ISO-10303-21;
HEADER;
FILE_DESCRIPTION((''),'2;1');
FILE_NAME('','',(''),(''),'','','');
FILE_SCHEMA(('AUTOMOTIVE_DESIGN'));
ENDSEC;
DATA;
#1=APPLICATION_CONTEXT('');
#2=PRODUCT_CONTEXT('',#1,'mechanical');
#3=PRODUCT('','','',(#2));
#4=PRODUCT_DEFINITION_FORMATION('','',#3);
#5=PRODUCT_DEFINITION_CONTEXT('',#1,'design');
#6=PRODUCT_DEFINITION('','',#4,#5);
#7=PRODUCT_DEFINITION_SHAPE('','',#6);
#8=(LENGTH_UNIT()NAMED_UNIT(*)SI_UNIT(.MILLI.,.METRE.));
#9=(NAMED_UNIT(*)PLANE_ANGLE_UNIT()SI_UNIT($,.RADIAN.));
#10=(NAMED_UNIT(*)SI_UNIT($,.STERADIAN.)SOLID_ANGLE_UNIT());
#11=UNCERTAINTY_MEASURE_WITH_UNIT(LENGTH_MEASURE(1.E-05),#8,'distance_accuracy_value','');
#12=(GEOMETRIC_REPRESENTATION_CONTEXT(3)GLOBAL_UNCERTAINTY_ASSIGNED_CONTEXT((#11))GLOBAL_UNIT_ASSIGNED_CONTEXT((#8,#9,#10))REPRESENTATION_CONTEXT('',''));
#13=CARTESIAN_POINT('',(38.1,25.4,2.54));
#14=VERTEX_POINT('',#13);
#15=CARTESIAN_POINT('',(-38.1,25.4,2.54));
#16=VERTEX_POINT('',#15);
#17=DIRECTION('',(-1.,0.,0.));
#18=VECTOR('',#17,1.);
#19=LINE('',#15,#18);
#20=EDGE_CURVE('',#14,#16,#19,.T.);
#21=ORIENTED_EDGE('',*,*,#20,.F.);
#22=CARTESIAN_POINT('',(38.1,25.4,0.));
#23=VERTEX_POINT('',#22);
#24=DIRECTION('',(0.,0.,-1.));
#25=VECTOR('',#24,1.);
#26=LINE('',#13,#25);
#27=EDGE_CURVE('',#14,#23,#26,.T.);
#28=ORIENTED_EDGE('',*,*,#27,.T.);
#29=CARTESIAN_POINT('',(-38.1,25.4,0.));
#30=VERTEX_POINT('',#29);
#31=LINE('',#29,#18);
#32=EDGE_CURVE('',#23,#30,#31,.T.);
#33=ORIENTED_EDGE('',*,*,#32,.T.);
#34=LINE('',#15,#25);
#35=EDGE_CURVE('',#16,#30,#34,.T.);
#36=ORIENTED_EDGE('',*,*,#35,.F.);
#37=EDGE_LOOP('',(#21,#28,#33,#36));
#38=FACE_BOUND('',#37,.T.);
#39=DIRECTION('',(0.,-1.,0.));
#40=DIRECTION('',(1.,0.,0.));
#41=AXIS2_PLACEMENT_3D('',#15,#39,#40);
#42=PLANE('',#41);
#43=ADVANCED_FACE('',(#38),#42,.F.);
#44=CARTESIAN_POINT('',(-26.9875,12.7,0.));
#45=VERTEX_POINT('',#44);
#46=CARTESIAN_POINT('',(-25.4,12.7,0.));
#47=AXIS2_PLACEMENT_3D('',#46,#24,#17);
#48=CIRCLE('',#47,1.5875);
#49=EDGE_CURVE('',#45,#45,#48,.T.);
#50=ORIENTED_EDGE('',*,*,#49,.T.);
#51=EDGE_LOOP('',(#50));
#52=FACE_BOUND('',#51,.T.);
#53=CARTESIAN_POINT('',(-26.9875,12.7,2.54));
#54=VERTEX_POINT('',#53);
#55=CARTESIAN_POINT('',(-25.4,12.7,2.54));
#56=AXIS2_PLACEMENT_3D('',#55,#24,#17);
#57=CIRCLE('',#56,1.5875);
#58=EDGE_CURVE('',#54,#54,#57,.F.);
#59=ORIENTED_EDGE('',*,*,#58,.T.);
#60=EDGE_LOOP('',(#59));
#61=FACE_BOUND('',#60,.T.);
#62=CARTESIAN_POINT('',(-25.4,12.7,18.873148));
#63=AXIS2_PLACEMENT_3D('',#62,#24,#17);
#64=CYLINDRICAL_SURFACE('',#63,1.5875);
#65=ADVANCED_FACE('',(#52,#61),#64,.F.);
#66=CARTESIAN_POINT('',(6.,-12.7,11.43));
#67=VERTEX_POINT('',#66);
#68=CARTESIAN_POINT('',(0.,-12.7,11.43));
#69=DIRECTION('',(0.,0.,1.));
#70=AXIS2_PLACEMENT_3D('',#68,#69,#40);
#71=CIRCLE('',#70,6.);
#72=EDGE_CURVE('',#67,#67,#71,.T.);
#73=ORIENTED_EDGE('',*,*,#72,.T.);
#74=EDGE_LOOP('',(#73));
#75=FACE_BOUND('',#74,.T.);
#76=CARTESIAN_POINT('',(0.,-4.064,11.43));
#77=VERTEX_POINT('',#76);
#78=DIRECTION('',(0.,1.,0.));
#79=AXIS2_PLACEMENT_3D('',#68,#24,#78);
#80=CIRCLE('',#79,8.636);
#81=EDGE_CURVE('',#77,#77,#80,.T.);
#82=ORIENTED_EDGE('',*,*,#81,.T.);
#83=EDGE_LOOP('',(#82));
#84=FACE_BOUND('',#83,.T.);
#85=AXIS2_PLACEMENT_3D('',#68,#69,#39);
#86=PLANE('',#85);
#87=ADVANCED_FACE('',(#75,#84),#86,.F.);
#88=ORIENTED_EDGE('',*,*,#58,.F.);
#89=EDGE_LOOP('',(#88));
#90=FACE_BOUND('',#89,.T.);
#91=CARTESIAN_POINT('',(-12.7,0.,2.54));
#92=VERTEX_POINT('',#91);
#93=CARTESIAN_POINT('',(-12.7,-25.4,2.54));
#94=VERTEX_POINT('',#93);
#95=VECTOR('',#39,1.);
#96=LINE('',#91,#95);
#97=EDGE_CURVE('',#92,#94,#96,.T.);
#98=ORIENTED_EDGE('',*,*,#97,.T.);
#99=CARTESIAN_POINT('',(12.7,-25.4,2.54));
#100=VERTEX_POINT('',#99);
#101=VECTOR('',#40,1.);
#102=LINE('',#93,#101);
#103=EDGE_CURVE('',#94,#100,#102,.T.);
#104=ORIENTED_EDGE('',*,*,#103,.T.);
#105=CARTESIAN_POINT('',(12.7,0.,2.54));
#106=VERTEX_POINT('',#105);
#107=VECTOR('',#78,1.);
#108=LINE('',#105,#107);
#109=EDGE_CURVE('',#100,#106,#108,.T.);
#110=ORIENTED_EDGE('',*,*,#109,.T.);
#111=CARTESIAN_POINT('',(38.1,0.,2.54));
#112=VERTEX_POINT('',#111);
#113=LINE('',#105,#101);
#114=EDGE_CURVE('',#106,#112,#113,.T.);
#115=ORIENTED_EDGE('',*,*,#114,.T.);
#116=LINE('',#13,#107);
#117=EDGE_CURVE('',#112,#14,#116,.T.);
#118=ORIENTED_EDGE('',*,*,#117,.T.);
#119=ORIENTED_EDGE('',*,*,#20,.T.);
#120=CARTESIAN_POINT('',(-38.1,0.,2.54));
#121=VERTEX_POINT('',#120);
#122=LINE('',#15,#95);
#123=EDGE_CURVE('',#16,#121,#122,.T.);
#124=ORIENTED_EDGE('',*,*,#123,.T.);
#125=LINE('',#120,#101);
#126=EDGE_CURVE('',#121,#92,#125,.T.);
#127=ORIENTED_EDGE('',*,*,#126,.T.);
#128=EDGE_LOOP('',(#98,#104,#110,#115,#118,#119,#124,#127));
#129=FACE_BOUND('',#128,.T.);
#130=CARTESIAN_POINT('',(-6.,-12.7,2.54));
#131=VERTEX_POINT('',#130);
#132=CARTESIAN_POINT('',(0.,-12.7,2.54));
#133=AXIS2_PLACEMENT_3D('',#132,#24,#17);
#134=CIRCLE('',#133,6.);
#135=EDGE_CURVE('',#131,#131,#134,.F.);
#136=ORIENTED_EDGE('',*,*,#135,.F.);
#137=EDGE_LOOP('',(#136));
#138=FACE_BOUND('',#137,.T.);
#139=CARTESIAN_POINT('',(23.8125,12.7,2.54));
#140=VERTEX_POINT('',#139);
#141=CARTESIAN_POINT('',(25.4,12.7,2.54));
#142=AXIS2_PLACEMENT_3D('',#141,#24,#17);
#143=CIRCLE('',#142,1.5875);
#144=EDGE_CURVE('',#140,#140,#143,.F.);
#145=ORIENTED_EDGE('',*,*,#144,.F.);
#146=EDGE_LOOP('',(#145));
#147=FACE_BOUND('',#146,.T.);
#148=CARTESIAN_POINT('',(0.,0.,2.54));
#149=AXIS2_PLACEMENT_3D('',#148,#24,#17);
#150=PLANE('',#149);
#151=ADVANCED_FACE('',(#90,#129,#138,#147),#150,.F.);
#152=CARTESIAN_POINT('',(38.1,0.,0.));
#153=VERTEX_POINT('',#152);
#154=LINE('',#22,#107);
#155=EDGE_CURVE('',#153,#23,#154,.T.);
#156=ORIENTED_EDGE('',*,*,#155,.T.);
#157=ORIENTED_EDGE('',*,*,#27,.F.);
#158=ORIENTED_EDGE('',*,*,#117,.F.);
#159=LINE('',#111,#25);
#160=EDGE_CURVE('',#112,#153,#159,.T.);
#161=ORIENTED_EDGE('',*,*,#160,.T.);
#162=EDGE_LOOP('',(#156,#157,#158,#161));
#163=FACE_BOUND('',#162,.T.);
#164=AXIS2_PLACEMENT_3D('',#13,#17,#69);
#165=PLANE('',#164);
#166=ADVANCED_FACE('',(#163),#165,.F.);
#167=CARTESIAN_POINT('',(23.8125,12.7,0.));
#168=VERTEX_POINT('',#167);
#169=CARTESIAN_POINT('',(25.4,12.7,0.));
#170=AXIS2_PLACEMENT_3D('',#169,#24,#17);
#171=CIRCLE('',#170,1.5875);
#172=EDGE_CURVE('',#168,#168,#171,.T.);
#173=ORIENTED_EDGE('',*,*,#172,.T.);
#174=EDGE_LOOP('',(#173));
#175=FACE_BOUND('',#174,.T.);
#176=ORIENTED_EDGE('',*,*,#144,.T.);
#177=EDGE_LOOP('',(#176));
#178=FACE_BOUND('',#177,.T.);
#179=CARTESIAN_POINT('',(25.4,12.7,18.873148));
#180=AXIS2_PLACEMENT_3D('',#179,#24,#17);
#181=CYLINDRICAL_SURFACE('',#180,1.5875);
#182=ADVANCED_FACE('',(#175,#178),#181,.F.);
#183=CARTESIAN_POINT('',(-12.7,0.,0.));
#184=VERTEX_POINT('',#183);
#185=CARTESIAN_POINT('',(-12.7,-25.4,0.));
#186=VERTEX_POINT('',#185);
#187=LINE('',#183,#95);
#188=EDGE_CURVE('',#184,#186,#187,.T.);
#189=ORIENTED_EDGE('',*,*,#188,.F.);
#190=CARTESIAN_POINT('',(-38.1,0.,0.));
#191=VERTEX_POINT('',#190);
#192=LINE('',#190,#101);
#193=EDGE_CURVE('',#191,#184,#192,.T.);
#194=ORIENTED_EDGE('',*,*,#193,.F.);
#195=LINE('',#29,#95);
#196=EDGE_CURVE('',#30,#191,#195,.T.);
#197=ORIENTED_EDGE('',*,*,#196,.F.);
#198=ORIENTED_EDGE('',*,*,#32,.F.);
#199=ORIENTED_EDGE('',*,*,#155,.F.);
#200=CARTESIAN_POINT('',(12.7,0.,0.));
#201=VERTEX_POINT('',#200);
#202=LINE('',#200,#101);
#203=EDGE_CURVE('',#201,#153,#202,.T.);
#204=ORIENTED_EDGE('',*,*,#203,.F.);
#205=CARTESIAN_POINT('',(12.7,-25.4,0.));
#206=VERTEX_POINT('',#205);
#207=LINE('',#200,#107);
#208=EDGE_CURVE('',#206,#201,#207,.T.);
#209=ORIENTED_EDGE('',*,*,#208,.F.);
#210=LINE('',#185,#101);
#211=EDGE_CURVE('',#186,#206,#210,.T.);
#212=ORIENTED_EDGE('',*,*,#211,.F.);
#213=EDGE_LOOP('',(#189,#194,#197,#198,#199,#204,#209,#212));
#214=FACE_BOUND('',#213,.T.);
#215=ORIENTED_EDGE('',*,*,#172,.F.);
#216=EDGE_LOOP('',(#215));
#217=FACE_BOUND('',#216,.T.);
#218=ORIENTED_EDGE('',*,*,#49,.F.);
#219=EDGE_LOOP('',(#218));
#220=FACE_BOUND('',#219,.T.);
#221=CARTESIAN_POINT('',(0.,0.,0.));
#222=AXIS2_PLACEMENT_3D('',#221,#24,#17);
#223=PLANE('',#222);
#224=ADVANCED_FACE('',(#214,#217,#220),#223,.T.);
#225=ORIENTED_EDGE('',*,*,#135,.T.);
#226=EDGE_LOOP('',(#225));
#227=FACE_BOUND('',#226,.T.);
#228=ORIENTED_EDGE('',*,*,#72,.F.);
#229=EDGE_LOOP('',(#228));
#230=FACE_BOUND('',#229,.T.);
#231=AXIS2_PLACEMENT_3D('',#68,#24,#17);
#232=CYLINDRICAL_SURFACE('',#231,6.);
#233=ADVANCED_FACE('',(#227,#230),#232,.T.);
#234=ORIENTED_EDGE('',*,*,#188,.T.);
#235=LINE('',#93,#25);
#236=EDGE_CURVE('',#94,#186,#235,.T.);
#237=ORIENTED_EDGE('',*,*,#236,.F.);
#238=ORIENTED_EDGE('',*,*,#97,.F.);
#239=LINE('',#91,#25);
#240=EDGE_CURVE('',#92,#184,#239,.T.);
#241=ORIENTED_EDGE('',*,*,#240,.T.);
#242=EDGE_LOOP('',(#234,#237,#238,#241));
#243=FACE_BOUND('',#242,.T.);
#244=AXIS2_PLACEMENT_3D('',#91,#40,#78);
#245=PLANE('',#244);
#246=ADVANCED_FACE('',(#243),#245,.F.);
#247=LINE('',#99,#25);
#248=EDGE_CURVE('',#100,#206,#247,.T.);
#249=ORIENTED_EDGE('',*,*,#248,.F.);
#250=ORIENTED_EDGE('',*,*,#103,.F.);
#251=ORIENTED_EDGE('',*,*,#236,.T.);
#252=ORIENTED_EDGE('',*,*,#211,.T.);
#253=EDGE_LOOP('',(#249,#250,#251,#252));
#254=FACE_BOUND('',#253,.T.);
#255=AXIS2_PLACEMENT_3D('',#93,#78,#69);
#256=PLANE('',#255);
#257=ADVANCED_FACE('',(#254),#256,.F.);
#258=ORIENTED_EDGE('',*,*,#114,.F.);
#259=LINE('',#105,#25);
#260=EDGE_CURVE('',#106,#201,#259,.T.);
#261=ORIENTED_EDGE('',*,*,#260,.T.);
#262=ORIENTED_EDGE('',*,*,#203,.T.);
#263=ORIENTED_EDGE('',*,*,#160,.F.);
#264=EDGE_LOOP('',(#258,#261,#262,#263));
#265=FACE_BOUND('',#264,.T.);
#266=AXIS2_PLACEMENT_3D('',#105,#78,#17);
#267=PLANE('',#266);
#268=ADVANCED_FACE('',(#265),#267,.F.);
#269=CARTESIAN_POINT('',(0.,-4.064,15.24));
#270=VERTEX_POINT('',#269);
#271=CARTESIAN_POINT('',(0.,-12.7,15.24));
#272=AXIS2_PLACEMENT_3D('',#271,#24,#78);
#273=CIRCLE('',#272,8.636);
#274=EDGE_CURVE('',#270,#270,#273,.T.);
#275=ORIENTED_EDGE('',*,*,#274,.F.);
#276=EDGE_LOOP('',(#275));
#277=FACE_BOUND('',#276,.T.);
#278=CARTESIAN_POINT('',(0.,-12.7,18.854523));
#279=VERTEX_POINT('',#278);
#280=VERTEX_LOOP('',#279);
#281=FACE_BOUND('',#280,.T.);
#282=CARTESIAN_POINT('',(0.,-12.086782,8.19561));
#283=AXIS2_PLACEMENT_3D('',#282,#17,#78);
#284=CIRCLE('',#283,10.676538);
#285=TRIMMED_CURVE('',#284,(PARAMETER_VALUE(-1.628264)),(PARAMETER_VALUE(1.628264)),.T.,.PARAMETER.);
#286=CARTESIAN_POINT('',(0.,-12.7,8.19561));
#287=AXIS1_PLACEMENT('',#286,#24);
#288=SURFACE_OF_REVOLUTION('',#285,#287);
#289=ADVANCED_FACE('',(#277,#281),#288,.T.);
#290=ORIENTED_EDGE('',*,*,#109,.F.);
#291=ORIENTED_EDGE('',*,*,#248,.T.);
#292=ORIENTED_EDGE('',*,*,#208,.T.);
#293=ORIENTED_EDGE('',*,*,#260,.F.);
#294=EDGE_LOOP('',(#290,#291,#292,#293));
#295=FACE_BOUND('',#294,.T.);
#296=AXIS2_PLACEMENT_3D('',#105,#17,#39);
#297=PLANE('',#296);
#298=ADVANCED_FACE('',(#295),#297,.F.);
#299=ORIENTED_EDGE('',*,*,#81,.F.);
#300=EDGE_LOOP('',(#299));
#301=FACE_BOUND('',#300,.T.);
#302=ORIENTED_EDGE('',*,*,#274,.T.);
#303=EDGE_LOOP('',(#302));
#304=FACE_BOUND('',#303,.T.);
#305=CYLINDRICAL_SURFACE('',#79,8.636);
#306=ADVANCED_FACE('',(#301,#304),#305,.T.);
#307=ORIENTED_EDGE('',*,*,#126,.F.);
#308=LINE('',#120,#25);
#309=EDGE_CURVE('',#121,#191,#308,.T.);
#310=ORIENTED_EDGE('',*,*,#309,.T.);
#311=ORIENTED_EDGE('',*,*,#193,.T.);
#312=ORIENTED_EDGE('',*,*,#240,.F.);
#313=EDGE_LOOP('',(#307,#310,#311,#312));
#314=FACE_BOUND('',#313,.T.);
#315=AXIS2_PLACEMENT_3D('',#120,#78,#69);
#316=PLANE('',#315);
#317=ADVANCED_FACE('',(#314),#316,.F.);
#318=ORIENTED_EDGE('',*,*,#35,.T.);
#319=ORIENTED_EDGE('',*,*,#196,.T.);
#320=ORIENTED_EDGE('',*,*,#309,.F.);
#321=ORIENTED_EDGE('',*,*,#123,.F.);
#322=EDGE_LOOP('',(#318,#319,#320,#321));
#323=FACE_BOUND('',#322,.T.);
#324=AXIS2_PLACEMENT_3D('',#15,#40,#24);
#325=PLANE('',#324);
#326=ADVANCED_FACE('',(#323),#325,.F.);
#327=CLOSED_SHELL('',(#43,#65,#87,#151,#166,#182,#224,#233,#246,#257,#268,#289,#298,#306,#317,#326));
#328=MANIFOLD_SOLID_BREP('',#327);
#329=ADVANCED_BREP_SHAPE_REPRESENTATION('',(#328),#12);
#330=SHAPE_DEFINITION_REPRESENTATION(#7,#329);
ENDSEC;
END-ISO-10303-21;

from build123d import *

# Parameters (mm, degrees)
BOSS_EXTRUDE1_DEPTH = 2.54
SKETCH2_R           = 6
BOSS_EXTRUDE2_DEPTH = 8.89
CUT_EXTRUDE1_REACH  = 20.872
SKETCH5_R           = 1.5875


with BuildPart() as part:
    # Sketch1 → Boss-Extrude1 (new body)
    with BuildSketch(Plane.XY):
        Polygon((12.7, 0), (38.1, 0), (38.1, 25.4), (-38.1, 25.4), (-38.1, 0), (-12.7, 0), (-12.7, -25.4), (12.7, -25.4), align=None)
    extrude(amount=BOSS_EXTRUDE1_DEPTH)

    # Sketch2 → Boss-Extrude2 (add)
    with BuildSketch(Plane.XY.offset(2.54)):
        with Locations((0, -12.7)):
            Circle(SKETCH2_R)
    extrude(amount=BOSS_EXTRUDE2_DEPTH)

    # Sketch4 → Revolve1 (revolve)
    with BuildSketch(Plane(origin=(0, 0, 0), x_dir=(0, 0, -1), z_dir=(1, 0, 0))):
        with BuildLine():
            Line((-11.43, -12.7), (-18.854523239, -12.7))
            ThreePointArc((-18.854523239, -12.7), (-18.044308382, -17.435305314), (-15.24, -21.336))
            Line((-15.24, -21.336), (-11.43, -21.336))
            Line((-11.43, -21.336), (-11.43, -12.7))
        make_face()
    revolve(axis=Axis((0, -12.7, 11.43), (0, 0, 1)))

    # Sketch5 → Cut-Extrude1 (cut, up to next)
    with BuildSketch(Plane(origin=(0, 0, 0), x_dir=(-1, 0, 0), z_dir=(0, 0, -1)), mode=Mode.PRIVATE) as cut_extrude1_sk1:
        with Locations((25.4, 12.7)):
            Circle(SKETCH5_R)
    cut_extrude1_tool1 = extrude(cut_extrude1_sk1.sketch, amount=-CUT_EXTRUDE1_REACH, mode=Mode.PRIVATE) & part.part
    add(cut_extrude1_tool1.solids().sort_by_distance((-25.4, 12.7, 0))[0], mode=Mode.SUBTRACT)
    # Sketch5 → Cut-Extrude1 (cut, up to next)
    with BuildSketch(Plane(origin=(0, 0, 0), x_dir=(-1, 0, 0), z_dir=(0, 0, -1)), mode=Mode.PRIVATE) as cut_extrude1_sk2:
        with Locations((-25.4, 12.7)):
            Circle(SKETCH5_R)
    cut_extrude1_tool2 = extrude(cut_extrude1_sk2.sketch, amount=-CUT_EXTRUDE1_REACH, mode=Mode.PRIVATE) & part.part
    add(cut_extrude1_tool2.solids().sort_by_distance((25.4, 12.7, 0))[0], mode=Mode.SUBTRACT)


solid = part.part
